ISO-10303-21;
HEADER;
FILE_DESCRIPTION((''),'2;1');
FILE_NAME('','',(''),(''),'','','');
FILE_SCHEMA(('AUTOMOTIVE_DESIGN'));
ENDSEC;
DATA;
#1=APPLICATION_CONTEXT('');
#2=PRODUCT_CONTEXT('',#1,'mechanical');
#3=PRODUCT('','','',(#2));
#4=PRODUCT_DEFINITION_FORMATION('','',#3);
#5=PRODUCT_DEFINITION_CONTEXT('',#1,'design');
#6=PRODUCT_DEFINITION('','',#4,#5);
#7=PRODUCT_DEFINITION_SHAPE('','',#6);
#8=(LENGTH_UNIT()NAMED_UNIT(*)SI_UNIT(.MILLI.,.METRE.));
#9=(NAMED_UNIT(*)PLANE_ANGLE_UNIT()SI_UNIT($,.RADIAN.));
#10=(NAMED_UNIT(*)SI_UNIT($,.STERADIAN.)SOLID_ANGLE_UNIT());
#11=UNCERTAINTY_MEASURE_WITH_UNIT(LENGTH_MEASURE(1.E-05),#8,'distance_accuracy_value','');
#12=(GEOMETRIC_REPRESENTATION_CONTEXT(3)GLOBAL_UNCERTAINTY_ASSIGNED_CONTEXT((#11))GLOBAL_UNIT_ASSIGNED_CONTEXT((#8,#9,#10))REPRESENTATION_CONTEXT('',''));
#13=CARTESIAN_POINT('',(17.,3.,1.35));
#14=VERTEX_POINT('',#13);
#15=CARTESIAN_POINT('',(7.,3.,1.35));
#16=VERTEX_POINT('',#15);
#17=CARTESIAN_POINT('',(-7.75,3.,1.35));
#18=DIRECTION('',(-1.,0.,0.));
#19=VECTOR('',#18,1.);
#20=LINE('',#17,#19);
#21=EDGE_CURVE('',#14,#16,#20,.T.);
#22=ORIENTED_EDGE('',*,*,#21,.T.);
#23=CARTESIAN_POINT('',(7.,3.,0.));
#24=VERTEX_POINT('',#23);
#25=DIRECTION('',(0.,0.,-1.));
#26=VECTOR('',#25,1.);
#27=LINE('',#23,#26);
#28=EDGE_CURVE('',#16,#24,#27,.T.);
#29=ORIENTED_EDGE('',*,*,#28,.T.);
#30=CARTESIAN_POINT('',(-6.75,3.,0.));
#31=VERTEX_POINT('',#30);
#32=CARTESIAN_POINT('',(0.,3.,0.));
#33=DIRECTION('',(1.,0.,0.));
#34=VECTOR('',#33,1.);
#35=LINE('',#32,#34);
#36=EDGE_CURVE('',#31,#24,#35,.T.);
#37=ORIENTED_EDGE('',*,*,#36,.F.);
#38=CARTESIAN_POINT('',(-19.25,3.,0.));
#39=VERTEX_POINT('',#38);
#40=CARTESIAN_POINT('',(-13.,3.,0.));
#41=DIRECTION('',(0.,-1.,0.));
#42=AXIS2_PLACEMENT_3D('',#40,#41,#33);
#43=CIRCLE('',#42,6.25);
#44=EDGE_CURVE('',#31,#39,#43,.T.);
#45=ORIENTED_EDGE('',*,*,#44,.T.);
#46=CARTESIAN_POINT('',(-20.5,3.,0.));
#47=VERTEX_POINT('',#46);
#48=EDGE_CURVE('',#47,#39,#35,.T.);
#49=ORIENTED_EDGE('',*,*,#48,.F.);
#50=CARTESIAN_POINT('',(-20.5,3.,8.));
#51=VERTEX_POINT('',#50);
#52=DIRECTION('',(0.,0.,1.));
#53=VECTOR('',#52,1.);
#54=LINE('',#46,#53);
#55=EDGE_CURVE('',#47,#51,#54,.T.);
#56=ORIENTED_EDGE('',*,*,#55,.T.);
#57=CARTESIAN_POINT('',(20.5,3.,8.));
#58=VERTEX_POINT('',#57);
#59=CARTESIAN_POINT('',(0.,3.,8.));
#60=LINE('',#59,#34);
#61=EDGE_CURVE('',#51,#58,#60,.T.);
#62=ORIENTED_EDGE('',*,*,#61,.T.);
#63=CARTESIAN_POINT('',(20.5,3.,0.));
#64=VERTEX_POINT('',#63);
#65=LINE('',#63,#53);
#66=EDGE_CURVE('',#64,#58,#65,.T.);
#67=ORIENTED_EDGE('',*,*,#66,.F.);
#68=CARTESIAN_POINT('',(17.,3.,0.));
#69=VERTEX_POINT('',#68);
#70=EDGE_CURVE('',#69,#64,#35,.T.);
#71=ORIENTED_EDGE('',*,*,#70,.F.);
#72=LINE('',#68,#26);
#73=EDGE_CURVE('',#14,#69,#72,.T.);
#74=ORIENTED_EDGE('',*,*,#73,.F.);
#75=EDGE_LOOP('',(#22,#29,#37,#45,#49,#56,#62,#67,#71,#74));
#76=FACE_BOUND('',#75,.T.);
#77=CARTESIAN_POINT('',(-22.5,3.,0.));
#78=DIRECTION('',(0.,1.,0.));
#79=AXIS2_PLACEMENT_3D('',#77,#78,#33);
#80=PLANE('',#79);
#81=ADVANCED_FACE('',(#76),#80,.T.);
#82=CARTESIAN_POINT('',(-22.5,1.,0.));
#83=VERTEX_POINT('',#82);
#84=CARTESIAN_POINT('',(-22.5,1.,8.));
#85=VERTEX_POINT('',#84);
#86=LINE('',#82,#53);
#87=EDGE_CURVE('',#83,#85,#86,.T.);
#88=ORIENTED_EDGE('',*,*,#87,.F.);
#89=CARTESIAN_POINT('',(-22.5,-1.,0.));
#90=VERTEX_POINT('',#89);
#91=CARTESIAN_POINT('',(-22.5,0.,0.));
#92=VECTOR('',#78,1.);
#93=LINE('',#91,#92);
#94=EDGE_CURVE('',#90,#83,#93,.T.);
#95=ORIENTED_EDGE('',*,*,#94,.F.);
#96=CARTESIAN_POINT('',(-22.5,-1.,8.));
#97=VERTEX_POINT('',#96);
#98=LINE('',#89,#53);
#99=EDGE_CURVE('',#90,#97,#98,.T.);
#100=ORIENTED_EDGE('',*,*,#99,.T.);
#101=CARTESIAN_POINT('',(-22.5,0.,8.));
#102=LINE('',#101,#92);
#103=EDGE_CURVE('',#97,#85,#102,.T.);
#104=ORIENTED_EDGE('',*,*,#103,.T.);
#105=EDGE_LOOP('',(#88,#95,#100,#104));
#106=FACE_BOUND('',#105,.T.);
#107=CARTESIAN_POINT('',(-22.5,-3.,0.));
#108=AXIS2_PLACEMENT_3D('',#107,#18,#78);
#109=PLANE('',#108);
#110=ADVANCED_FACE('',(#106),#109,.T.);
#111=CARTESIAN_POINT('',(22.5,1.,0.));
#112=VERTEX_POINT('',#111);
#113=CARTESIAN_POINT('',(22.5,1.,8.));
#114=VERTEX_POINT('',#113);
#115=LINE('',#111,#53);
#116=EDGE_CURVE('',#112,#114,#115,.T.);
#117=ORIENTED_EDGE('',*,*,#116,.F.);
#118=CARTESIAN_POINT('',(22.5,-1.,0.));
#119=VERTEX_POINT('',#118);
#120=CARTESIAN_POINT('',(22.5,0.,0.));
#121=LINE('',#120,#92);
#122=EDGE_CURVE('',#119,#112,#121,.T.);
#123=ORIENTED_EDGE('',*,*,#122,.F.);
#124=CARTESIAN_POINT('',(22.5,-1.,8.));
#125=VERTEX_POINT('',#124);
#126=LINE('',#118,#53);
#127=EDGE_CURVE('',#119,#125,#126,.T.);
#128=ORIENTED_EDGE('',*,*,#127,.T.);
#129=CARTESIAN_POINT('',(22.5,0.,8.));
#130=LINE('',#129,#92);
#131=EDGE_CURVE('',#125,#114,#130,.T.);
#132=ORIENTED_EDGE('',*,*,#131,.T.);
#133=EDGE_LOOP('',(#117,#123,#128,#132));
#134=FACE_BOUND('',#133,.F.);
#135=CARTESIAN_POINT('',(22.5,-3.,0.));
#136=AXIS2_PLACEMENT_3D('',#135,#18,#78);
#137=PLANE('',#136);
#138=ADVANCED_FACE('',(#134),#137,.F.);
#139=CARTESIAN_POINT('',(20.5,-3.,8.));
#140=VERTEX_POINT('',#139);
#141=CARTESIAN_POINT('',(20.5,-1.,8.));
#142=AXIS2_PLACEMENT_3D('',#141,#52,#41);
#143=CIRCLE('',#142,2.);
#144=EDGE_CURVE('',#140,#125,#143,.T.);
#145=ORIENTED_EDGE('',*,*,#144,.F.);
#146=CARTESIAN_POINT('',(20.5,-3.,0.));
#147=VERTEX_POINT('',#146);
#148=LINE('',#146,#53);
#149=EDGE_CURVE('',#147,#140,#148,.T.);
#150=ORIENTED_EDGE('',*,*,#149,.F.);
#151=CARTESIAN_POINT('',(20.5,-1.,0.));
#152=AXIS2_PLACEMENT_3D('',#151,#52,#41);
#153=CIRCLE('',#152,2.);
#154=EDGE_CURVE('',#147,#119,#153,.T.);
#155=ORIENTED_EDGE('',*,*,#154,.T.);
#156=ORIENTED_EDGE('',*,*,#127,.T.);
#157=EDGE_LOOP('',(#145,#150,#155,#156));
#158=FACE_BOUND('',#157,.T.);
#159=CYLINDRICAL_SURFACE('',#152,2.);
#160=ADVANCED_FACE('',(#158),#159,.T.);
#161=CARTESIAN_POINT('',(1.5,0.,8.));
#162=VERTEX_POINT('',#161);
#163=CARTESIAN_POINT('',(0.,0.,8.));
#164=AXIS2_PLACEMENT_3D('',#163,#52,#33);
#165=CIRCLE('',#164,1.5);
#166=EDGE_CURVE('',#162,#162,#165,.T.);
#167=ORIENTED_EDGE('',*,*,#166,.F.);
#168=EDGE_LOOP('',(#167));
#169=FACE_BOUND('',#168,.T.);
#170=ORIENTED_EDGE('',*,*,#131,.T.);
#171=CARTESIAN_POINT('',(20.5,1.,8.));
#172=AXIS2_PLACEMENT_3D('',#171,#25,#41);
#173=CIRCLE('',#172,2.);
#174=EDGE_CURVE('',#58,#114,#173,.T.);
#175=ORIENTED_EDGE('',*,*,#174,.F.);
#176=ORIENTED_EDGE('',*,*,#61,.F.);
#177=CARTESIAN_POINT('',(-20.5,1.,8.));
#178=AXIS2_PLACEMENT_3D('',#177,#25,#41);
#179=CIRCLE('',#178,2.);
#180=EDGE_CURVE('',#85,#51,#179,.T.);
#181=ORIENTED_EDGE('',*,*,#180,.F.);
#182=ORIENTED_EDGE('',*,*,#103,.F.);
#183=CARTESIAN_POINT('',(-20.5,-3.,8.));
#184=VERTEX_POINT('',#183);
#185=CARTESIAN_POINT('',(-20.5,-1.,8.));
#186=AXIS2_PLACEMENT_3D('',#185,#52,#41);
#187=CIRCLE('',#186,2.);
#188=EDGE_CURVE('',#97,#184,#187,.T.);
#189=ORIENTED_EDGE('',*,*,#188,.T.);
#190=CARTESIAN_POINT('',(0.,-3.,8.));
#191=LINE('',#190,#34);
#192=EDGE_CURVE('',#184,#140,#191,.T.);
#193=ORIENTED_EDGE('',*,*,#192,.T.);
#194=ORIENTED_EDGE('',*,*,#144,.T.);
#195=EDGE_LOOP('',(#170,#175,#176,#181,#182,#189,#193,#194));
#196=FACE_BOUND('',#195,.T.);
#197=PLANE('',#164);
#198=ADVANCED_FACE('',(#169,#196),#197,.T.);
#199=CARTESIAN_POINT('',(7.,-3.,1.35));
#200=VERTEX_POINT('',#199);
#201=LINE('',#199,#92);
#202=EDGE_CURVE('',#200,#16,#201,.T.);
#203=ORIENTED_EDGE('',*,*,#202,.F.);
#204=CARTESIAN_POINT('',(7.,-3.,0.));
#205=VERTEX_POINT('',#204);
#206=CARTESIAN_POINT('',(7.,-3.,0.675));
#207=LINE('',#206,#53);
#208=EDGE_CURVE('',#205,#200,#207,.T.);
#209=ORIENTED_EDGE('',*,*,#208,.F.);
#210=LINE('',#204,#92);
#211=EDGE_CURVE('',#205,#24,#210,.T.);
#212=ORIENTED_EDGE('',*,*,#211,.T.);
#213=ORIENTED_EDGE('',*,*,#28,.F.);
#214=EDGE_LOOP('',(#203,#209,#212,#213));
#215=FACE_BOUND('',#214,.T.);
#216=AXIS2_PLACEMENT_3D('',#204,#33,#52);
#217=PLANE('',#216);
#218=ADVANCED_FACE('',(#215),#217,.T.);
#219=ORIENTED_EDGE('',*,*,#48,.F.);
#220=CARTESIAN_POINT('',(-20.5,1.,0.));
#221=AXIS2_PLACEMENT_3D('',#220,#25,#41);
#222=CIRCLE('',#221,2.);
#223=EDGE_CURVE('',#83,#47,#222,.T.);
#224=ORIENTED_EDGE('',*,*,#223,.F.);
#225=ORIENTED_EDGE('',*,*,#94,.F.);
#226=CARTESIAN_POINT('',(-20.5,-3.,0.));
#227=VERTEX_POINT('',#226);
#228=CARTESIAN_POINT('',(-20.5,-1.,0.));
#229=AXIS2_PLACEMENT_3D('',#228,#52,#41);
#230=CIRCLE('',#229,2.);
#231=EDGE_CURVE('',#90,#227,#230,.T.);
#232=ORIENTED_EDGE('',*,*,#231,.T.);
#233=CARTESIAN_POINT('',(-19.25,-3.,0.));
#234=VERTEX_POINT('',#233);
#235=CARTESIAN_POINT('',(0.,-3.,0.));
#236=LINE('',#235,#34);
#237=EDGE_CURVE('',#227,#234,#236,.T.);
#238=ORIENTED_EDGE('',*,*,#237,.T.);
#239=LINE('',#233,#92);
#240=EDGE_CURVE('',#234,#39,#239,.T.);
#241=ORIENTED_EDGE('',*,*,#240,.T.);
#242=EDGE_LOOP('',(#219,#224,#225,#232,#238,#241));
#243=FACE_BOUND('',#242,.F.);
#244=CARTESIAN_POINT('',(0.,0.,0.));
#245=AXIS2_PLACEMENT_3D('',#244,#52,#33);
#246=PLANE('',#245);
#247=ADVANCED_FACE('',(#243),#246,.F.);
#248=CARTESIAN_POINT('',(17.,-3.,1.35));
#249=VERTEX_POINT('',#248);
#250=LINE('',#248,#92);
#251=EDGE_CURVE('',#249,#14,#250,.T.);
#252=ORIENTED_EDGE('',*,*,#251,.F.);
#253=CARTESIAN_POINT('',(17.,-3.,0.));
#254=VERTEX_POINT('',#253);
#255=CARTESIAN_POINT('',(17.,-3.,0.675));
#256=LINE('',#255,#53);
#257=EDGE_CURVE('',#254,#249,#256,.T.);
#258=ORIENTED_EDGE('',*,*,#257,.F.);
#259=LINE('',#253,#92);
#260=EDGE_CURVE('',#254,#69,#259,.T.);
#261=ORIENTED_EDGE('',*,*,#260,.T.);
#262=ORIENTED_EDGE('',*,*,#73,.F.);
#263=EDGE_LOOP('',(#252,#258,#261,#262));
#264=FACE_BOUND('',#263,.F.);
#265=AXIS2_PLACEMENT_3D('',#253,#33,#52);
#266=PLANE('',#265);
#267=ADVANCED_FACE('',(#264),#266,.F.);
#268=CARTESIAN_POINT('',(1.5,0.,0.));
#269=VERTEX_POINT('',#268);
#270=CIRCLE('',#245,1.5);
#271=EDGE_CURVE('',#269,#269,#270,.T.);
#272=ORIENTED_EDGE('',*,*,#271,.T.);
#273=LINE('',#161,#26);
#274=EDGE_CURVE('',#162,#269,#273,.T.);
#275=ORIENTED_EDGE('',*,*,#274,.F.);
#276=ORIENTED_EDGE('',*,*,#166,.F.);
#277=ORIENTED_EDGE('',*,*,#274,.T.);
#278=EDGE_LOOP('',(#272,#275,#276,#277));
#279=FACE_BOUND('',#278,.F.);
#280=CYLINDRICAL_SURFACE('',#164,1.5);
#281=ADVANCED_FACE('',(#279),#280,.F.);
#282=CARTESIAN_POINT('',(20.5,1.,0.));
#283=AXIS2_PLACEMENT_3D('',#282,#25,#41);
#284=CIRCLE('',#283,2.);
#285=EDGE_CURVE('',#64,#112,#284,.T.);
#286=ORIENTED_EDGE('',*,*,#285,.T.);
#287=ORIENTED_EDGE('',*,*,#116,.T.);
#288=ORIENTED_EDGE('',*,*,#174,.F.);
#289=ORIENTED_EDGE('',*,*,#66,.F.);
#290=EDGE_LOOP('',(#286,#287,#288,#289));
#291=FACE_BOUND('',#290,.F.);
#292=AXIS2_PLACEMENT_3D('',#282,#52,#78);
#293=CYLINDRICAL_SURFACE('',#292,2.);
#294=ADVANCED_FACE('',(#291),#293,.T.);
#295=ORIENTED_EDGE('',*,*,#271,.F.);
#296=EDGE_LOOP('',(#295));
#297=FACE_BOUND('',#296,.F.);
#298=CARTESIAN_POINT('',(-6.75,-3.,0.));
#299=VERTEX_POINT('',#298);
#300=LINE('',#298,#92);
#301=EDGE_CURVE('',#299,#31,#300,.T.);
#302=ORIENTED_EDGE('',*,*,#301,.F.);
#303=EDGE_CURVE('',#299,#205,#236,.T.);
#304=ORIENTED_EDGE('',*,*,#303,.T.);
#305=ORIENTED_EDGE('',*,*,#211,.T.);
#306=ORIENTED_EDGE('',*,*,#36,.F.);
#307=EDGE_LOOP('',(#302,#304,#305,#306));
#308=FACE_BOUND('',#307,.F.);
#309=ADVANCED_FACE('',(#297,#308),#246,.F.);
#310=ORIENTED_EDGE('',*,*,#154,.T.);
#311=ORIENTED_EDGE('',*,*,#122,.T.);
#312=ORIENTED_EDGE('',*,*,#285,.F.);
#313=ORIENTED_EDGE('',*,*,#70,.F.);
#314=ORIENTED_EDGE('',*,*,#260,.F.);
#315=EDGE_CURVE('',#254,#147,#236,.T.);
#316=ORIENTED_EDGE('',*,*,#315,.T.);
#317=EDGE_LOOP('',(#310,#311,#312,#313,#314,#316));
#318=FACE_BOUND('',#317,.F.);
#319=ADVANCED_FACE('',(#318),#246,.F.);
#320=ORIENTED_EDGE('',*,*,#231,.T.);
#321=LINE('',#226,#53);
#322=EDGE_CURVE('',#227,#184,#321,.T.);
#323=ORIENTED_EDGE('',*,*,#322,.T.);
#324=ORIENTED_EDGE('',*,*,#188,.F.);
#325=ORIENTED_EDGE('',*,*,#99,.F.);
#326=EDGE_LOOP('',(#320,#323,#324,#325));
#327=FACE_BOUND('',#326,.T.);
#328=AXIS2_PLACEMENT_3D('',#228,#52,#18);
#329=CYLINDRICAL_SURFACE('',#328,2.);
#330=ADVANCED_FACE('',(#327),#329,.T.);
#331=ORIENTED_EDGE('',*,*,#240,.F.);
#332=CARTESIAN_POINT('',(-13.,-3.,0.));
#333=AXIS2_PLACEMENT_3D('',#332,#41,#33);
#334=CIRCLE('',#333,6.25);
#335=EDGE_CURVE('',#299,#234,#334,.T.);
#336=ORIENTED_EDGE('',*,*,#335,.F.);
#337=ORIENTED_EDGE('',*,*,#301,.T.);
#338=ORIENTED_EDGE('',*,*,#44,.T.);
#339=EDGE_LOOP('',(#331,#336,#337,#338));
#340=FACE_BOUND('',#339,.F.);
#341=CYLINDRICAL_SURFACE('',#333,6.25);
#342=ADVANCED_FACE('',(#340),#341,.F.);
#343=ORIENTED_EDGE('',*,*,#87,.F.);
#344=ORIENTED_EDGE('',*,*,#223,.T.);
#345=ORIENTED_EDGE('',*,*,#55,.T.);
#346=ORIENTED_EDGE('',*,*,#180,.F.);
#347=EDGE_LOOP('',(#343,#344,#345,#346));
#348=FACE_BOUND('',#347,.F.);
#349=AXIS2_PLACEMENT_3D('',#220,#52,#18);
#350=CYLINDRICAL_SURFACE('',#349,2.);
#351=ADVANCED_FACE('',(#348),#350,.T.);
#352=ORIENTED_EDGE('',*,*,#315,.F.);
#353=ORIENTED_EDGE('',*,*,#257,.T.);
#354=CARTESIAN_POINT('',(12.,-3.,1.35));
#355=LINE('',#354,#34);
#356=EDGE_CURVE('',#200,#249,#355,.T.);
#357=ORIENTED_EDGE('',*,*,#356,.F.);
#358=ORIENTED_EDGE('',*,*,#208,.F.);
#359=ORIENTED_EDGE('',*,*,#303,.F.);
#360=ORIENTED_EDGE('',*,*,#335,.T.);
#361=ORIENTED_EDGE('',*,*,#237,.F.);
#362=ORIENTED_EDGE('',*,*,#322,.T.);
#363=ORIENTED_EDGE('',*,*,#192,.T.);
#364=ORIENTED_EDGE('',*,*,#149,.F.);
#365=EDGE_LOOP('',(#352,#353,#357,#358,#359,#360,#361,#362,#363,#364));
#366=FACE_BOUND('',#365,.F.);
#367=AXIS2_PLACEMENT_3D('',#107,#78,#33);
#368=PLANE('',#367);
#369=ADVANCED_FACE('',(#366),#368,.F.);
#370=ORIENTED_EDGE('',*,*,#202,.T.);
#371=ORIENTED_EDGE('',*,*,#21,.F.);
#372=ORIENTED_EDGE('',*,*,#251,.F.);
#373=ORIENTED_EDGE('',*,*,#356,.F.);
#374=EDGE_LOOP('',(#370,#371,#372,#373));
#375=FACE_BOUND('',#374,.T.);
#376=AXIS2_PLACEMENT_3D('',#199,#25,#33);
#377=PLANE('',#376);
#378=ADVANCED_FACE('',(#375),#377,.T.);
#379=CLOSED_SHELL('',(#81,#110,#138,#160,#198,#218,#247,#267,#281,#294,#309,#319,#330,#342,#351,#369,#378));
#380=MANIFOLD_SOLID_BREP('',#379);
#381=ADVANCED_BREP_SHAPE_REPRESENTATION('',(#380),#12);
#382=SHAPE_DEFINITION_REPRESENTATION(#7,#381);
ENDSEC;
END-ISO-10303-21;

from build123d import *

# Parameters (mm, degrees)
F0_W     = 45
F0_H     = 6
F1_DEPTH = 8
F2_W     = 10
F2_H     = 1.35
F3_DEPTH = 6.001
F4_R     = 1.5
F5_DEPTH = 8.001
F6_R     = 2


with BuildPart() as f1:
    # F0 (on Top) → F1 (new body)
    with BuildSketch(Plane.XY):
        Rectangle(F0_W, F0_H)
    extrude(amount=F1_DEPTH)

    # F2 (on face) → F3 (cut, through all)
    with BuildSketch(Plane.XZ.offset(3)):
        with BuildLine():
            Line((-19.25, 0), (-6.75, 0))
            ThreePointArc((-6.75, 0), (-13, 6.25), (-19.25, 0))
        make_face()
        with Locations((12, 0.675)):
            Rectangle(F2_W, F2_H)
    extrude(amount=-F3_DEPTH, mode=Mode.SUBTRACT)

    # F4 (on face) → F5 (cut, through all)
    with BuildSketch(Plane.XY.offset(8)):
        Circle(F4_R)
    extrude(amount=-F5_DEPTH, mode=Mode.SUBTRACT)

    # F6
    f6_edges = [f1.edges().sort_by_distance(p)[0] for p in [
        (-22.5, -3, 4),
        (-22.5, 3, 4),
        (22.5, -3, 4),
        (22.5, 3, 4),
    ]]
    fillet(f6_edges, radius=F6_R)


solid = f1.part
